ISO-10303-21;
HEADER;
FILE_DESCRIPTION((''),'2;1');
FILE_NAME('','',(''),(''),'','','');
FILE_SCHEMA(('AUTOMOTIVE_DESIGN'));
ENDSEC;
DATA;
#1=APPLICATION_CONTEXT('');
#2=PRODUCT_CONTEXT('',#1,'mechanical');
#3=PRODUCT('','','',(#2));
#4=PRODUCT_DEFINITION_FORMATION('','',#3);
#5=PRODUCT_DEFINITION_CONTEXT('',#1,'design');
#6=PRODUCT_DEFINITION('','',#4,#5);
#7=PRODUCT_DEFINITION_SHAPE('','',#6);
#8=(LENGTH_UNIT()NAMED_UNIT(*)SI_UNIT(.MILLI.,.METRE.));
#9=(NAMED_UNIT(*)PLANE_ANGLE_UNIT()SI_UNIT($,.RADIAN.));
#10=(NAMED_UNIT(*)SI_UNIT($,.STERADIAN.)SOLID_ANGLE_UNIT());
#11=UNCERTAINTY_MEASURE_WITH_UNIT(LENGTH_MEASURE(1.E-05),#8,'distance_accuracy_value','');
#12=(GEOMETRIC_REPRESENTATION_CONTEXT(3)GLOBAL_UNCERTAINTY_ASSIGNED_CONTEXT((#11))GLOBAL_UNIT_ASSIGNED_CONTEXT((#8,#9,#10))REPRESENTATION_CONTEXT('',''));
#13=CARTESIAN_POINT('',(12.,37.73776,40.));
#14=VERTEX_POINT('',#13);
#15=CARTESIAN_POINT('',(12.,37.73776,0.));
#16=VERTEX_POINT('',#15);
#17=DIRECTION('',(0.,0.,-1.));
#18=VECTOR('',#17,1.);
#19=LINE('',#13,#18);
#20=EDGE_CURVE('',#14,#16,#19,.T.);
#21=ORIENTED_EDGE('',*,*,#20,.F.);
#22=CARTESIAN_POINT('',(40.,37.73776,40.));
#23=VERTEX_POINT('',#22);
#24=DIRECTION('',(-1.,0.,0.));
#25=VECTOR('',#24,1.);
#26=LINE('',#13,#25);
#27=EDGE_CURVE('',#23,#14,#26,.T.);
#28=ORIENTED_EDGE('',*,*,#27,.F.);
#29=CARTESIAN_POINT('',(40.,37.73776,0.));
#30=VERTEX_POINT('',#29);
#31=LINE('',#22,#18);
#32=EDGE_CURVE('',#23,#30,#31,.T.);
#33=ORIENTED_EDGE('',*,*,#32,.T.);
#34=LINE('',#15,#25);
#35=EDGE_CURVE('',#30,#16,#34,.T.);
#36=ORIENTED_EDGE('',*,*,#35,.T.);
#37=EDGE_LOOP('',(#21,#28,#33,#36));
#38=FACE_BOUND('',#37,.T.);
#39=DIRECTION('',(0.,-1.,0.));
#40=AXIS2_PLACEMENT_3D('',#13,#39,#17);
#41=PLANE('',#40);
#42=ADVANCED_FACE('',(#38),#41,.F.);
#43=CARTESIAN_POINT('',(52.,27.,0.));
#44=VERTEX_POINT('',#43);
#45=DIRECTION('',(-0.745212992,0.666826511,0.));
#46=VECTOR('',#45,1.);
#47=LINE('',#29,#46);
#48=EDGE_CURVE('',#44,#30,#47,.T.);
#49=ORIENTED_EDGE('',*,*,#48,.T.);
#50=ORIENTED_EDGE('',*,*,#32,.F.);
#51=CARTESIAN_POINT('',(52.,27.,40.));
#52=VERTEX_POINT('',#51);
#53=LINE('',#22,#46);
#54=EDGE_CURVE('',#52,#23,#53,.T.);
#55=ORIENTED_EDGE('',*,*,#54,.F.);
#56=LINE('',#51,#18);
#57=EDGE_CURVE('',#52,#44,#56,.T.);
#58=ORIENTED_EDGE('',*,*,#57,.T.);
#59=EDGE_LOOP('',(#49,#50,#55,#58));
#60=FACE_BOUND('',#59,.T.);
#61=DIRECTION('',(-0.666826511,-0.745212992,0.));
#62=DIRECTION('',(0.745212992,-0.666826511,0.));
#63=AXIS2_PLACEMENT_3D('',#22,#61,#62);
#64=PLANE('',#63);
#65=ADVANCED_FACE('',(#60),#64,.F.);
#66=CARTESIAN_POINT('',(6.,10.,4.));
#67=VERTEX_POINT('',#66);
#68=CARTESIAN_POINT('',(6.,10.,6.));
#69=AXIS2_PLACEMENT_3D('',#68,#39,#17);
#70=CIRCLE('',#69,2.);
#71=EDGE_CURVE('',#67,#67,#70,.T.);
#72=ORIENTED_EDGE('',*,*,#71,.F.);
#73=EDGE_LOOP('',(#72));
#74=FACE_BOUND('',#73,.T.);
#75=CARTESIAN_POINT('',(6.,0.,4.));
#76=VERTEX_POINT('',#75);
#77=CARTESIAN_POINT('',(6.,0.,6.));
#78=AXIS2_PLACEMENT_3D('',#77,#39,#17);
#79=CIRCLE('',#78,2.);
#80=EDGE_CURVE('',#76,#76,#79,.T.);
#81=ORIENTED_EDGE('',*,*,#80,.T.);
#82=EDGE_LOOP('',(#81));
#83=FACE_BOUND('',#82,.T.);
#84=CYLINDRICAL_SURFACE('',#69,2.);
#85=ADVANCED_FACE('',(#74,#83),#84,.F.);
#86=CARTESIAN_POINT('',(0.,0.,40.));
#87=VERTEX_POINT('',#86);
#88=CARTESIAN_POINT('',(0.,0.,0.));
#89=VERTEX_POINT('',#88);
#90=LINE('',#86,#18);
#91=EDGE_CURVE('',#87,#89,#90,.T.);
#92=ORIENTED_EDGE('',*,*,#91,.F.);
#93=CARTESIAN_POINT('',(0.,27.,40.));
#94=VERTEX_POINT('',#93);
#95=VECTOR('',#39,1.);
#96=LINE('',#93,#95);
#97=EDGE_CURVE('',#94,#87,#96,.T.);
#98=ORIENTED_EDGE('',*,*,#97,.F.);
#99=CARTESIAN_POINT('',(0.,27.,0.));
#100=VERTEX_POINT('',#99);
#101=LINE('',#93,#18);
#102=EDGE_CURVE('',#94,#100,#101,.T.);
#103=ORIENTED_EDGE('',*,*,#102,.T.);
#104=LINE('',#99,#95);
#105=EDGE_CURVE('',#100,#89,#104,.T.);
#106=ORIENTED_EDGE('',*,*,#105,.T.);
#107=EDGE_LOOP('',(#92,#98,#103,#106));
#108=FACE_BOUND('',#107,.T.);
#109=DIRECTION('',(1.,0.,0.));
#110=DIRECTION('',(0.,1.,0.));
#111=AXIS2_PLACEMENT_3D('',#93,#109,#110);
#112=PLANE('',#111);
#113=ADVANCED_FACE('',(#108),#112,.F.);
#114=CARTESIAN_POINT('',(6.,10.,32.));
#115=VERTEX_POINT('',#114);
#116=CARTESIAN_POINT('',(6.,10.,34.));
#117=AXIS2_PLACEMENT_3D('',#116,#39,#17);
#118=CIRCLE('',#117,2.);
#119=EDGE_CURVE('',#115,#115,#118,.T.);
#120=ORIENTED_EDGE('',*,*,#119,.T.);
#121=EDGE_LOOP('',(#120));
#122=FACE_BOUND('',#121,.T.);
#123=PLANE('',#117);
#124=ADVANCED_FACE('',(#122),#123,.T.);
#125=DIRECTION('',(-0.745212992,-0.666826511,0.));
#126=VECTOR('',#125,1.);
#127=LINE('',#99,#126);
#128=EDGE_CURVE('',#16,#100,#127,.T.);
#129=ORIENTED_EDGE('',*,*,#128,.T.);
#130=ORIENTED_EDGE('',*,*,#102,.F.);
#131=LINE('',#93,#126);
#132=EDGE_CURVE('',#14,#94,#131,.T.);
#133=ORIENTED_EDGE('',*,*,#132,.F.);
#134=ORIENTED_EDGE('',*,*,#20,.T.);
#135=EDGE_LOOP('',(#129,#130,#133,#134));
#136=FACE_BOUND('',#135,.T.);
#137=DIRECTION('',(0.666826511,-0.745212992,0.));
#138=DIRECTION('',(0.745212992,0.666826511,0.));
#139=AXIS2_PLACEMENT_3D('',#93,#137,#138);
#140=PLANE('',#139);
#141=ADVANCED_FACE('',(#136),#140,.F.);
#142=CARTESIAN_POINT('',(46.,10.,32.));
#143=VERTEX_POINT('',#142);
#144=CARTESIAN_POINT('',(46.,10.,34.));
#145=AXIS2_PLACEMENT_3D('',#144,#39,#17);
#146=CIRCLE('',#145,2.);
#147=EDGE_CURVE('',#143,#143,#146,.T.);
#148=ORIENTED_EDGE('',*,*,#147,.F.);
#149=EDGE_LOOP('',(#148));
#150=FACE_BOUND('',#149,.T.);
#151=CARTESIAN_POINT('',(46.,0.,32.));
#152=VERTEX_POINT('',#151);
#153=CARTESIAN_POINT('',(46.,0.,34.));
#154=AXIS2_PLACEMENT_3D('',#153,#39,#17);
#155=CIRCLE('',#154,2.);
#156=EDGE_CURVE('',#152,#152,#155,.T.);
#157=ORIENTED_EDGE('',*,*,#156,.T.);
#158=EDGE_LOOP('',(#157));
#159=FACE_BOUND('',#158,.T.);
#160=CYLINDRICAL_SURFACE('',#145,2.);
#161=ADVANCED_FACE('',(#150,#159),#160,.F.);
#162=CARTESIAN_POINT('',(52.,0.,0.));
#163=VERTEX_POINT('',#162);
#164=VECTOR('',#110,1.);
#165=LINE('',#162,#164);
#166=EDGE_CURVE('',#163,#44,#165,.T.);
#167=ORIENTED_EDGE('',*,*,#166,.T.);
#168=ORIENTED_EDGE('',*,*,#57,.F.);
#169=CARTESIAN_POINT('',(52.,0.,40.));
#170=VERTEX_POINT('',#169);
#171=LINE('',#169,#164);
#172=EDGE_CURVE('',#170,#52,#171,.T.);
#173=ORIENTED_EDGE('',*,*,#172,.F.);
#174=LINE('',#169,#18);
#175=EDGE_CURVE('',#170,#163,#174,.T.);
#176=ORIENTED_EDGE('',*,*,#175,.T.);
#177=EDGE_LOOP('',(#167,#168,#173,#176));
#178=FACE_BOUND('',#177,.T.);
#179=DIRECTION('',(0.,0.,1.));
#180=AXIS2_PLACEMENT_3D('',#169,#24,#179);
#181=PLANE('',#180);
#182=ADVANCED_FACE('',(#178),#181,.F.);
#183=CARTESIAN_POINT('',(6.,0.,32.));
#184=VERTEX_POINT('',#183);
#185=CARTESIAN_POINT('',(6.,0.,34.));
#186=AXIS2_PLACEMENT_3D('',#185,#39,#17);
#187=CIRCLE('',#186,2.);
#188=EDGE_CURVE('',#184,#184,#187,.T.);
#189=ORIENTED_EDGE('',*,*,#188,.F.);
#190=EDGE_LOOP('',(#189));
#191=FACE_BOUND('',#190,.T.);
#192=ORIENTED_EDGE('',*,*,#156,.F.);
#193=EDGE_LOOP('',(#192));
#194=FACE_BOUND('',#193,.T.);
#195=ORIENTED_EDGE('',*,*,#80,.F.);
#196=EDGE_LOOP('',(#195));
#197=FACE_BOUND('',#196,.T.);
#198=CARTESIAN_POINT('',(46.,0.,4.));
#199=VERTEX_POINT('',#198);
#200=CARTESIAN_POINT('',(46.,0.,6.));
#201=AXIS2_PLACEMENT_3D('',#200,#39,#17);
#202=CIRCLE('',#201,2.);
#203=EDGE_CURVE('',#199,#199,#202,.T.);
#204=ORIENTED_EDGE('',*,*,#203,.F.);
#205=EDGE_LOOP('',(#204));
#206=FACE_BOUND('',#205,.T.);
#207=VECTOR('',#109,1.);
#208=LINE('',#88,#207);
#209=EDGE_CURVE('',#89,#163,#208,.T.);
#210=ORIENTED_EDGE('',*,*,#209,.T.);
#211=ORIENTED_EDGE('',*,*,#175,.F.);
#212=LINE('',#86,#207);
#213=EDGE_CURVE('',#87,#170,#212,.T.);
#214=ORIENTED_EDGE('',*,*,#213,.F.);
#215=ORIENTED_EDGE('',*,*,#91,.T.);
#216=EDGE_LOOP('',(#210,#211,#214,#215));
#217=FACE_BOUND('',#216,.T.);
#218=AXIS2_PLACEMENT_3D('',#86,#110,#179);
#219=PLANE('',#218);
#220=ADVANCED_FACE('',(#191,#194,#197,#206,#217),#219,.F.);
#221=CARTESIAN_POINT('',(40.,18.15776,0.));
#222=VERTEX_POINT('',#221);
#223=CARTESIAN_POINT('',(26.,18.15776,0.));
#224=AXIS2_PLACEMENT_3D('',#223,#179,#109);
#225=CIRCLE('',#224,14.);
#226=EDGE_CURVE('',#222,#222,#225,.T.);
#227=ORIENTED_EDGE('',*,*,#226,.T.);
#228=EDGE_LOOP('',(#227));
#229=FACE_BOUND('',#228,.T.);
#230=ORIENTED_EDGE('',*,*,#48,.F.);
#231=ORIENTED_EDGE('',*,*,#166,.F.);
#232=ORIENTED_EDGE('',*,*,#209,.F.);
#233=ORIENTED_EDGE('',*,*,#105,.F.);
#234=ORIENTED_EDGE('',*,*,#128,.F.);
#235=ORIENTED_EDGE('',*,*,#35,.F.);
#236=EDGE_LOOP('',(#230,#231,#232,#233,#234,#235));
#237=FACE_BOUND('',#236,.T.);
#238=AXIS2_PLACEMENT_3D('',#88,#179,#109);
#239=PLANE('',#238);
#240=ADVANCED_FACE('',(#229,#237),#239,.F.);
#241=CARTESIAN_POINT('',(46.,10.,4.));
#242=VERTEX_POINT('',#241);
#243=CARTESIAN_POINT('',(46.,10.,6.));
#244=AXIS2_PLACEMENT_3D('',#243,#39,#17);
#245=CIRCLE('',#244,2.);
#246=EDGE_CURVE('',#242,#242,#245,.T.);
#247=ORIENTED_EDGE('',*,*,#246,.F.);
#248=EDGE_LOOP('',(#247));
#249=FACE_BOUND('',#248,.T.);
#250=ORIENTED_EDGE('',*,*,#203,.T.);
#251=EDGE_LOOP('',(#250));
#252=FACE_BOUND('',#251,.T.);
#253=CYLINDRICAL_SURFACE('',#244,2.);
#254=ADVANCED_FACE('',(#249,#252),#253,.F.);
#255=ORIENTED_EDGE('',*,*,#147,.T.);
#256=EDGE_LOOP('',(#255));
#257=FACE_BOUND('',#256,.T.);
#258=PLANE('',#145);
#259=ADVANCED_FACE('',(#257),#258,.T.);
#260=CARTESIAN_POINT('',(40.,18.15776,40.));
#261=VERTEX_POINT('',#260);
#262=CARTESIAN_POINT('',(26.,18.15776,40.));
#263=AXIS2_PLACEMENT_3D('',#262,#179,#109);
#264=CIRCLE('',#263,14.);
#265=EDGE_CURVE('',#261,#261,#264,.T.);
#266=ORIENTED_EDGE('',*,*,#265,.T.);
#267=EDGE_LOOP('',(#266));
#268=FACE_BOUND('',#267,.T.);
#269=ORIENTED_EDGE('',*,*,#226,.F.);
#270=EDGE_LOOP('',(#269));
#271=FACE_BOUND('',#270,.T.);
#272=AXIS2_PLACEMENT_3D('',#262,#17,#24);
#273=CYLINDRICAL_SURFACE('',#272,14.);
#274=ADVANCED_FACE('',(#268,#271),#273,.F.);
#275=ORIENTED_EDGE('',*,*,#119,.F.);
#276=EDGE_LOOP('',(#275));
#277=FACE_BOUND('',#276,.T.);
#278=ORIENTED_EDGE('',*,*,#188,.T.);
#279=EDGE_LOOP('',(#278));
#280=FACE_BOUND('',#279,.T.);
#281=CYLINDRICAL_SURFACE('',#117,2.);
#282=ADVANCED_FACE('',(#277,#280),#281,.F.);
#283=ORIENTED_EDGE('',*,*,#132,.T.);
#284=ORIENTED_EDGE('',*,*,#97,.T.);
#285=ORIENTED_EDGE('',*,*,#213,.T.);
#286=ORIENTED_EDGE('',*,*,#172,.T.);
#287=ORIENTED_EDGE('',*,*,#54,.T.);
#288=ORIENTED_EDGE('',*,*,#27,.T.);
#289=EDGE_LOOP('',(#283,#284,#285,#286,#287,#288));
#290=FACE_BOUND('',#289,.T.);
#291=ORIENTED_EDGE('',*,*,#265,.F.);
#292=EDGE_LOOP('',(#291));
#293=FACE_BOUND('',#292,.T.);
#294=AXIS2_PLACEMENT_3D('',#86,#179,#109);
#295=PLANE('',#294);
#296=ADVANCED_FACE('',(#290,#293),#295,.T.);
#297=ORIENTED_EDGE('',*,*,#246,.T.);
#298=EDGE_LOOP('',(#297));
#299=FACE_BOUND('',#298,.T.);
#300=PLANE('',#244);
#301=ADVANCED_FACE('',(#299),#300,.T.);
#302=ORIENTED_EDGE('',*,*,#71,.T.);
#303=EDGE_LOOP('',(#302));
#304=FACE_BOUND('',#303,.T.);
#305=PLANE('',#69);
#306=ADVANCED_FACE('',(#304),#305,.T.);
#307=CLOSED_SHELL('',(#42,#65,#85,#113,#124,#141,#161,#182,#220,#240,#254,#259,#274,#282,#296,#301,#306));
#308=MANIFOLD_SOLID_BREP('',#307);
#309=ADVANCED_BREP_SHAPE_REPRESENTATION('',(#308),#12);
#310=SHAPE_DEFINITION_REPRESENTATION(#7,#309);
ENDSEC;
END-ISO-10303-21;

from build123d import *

# Parameters (mm, degrees)
SKETCH1_R           = 14
BOSS_EXTRUDE1_DEPTH = 40
SKETCH2_R           = 2
CUT_EXTRUDE1_DEPTH  = 10


with BuildPart() as part:
    # Sketch1 → Boss-Extrude1 (new body)
    with BuildSketch(Plane.XY):
        Polygon((0, 0), (52, 0), (52, 27), (40, 37.737759826), (12, 37.737759826), (0, 27), align=None)
        with Locations((26, 18.157759826)):
            Circle(SKETCH1_R, mode=Mode.SUBTRACT)
    extrude(amount=BOSS_EXTRUDE1_DEPTH)

    # Sketch2 → Cut-Extrude1 (cut)
    with BuildSketch(Plane.XZ):
        with Locations(Location((6, 34, 0), (0, 0, 270))):
            Circle(SKETCH2_R)
        with Locations(Location((46, 34, 0), (0, 0, 270))):
            Circle(SKETCH2_R)
        with Locations(Location((6, 6, 0), (0, 0, 270))):
            Circle(SKETCH2_R)
        with Locations(Location((46, 6, 0), (0, 0, 270))):
            Circle(SKETCH2_R)
    extrude(amount=-CUT_EXTRUDE1_DEPTH, mode=Mode.SUBTRACT)


solid = part.part
